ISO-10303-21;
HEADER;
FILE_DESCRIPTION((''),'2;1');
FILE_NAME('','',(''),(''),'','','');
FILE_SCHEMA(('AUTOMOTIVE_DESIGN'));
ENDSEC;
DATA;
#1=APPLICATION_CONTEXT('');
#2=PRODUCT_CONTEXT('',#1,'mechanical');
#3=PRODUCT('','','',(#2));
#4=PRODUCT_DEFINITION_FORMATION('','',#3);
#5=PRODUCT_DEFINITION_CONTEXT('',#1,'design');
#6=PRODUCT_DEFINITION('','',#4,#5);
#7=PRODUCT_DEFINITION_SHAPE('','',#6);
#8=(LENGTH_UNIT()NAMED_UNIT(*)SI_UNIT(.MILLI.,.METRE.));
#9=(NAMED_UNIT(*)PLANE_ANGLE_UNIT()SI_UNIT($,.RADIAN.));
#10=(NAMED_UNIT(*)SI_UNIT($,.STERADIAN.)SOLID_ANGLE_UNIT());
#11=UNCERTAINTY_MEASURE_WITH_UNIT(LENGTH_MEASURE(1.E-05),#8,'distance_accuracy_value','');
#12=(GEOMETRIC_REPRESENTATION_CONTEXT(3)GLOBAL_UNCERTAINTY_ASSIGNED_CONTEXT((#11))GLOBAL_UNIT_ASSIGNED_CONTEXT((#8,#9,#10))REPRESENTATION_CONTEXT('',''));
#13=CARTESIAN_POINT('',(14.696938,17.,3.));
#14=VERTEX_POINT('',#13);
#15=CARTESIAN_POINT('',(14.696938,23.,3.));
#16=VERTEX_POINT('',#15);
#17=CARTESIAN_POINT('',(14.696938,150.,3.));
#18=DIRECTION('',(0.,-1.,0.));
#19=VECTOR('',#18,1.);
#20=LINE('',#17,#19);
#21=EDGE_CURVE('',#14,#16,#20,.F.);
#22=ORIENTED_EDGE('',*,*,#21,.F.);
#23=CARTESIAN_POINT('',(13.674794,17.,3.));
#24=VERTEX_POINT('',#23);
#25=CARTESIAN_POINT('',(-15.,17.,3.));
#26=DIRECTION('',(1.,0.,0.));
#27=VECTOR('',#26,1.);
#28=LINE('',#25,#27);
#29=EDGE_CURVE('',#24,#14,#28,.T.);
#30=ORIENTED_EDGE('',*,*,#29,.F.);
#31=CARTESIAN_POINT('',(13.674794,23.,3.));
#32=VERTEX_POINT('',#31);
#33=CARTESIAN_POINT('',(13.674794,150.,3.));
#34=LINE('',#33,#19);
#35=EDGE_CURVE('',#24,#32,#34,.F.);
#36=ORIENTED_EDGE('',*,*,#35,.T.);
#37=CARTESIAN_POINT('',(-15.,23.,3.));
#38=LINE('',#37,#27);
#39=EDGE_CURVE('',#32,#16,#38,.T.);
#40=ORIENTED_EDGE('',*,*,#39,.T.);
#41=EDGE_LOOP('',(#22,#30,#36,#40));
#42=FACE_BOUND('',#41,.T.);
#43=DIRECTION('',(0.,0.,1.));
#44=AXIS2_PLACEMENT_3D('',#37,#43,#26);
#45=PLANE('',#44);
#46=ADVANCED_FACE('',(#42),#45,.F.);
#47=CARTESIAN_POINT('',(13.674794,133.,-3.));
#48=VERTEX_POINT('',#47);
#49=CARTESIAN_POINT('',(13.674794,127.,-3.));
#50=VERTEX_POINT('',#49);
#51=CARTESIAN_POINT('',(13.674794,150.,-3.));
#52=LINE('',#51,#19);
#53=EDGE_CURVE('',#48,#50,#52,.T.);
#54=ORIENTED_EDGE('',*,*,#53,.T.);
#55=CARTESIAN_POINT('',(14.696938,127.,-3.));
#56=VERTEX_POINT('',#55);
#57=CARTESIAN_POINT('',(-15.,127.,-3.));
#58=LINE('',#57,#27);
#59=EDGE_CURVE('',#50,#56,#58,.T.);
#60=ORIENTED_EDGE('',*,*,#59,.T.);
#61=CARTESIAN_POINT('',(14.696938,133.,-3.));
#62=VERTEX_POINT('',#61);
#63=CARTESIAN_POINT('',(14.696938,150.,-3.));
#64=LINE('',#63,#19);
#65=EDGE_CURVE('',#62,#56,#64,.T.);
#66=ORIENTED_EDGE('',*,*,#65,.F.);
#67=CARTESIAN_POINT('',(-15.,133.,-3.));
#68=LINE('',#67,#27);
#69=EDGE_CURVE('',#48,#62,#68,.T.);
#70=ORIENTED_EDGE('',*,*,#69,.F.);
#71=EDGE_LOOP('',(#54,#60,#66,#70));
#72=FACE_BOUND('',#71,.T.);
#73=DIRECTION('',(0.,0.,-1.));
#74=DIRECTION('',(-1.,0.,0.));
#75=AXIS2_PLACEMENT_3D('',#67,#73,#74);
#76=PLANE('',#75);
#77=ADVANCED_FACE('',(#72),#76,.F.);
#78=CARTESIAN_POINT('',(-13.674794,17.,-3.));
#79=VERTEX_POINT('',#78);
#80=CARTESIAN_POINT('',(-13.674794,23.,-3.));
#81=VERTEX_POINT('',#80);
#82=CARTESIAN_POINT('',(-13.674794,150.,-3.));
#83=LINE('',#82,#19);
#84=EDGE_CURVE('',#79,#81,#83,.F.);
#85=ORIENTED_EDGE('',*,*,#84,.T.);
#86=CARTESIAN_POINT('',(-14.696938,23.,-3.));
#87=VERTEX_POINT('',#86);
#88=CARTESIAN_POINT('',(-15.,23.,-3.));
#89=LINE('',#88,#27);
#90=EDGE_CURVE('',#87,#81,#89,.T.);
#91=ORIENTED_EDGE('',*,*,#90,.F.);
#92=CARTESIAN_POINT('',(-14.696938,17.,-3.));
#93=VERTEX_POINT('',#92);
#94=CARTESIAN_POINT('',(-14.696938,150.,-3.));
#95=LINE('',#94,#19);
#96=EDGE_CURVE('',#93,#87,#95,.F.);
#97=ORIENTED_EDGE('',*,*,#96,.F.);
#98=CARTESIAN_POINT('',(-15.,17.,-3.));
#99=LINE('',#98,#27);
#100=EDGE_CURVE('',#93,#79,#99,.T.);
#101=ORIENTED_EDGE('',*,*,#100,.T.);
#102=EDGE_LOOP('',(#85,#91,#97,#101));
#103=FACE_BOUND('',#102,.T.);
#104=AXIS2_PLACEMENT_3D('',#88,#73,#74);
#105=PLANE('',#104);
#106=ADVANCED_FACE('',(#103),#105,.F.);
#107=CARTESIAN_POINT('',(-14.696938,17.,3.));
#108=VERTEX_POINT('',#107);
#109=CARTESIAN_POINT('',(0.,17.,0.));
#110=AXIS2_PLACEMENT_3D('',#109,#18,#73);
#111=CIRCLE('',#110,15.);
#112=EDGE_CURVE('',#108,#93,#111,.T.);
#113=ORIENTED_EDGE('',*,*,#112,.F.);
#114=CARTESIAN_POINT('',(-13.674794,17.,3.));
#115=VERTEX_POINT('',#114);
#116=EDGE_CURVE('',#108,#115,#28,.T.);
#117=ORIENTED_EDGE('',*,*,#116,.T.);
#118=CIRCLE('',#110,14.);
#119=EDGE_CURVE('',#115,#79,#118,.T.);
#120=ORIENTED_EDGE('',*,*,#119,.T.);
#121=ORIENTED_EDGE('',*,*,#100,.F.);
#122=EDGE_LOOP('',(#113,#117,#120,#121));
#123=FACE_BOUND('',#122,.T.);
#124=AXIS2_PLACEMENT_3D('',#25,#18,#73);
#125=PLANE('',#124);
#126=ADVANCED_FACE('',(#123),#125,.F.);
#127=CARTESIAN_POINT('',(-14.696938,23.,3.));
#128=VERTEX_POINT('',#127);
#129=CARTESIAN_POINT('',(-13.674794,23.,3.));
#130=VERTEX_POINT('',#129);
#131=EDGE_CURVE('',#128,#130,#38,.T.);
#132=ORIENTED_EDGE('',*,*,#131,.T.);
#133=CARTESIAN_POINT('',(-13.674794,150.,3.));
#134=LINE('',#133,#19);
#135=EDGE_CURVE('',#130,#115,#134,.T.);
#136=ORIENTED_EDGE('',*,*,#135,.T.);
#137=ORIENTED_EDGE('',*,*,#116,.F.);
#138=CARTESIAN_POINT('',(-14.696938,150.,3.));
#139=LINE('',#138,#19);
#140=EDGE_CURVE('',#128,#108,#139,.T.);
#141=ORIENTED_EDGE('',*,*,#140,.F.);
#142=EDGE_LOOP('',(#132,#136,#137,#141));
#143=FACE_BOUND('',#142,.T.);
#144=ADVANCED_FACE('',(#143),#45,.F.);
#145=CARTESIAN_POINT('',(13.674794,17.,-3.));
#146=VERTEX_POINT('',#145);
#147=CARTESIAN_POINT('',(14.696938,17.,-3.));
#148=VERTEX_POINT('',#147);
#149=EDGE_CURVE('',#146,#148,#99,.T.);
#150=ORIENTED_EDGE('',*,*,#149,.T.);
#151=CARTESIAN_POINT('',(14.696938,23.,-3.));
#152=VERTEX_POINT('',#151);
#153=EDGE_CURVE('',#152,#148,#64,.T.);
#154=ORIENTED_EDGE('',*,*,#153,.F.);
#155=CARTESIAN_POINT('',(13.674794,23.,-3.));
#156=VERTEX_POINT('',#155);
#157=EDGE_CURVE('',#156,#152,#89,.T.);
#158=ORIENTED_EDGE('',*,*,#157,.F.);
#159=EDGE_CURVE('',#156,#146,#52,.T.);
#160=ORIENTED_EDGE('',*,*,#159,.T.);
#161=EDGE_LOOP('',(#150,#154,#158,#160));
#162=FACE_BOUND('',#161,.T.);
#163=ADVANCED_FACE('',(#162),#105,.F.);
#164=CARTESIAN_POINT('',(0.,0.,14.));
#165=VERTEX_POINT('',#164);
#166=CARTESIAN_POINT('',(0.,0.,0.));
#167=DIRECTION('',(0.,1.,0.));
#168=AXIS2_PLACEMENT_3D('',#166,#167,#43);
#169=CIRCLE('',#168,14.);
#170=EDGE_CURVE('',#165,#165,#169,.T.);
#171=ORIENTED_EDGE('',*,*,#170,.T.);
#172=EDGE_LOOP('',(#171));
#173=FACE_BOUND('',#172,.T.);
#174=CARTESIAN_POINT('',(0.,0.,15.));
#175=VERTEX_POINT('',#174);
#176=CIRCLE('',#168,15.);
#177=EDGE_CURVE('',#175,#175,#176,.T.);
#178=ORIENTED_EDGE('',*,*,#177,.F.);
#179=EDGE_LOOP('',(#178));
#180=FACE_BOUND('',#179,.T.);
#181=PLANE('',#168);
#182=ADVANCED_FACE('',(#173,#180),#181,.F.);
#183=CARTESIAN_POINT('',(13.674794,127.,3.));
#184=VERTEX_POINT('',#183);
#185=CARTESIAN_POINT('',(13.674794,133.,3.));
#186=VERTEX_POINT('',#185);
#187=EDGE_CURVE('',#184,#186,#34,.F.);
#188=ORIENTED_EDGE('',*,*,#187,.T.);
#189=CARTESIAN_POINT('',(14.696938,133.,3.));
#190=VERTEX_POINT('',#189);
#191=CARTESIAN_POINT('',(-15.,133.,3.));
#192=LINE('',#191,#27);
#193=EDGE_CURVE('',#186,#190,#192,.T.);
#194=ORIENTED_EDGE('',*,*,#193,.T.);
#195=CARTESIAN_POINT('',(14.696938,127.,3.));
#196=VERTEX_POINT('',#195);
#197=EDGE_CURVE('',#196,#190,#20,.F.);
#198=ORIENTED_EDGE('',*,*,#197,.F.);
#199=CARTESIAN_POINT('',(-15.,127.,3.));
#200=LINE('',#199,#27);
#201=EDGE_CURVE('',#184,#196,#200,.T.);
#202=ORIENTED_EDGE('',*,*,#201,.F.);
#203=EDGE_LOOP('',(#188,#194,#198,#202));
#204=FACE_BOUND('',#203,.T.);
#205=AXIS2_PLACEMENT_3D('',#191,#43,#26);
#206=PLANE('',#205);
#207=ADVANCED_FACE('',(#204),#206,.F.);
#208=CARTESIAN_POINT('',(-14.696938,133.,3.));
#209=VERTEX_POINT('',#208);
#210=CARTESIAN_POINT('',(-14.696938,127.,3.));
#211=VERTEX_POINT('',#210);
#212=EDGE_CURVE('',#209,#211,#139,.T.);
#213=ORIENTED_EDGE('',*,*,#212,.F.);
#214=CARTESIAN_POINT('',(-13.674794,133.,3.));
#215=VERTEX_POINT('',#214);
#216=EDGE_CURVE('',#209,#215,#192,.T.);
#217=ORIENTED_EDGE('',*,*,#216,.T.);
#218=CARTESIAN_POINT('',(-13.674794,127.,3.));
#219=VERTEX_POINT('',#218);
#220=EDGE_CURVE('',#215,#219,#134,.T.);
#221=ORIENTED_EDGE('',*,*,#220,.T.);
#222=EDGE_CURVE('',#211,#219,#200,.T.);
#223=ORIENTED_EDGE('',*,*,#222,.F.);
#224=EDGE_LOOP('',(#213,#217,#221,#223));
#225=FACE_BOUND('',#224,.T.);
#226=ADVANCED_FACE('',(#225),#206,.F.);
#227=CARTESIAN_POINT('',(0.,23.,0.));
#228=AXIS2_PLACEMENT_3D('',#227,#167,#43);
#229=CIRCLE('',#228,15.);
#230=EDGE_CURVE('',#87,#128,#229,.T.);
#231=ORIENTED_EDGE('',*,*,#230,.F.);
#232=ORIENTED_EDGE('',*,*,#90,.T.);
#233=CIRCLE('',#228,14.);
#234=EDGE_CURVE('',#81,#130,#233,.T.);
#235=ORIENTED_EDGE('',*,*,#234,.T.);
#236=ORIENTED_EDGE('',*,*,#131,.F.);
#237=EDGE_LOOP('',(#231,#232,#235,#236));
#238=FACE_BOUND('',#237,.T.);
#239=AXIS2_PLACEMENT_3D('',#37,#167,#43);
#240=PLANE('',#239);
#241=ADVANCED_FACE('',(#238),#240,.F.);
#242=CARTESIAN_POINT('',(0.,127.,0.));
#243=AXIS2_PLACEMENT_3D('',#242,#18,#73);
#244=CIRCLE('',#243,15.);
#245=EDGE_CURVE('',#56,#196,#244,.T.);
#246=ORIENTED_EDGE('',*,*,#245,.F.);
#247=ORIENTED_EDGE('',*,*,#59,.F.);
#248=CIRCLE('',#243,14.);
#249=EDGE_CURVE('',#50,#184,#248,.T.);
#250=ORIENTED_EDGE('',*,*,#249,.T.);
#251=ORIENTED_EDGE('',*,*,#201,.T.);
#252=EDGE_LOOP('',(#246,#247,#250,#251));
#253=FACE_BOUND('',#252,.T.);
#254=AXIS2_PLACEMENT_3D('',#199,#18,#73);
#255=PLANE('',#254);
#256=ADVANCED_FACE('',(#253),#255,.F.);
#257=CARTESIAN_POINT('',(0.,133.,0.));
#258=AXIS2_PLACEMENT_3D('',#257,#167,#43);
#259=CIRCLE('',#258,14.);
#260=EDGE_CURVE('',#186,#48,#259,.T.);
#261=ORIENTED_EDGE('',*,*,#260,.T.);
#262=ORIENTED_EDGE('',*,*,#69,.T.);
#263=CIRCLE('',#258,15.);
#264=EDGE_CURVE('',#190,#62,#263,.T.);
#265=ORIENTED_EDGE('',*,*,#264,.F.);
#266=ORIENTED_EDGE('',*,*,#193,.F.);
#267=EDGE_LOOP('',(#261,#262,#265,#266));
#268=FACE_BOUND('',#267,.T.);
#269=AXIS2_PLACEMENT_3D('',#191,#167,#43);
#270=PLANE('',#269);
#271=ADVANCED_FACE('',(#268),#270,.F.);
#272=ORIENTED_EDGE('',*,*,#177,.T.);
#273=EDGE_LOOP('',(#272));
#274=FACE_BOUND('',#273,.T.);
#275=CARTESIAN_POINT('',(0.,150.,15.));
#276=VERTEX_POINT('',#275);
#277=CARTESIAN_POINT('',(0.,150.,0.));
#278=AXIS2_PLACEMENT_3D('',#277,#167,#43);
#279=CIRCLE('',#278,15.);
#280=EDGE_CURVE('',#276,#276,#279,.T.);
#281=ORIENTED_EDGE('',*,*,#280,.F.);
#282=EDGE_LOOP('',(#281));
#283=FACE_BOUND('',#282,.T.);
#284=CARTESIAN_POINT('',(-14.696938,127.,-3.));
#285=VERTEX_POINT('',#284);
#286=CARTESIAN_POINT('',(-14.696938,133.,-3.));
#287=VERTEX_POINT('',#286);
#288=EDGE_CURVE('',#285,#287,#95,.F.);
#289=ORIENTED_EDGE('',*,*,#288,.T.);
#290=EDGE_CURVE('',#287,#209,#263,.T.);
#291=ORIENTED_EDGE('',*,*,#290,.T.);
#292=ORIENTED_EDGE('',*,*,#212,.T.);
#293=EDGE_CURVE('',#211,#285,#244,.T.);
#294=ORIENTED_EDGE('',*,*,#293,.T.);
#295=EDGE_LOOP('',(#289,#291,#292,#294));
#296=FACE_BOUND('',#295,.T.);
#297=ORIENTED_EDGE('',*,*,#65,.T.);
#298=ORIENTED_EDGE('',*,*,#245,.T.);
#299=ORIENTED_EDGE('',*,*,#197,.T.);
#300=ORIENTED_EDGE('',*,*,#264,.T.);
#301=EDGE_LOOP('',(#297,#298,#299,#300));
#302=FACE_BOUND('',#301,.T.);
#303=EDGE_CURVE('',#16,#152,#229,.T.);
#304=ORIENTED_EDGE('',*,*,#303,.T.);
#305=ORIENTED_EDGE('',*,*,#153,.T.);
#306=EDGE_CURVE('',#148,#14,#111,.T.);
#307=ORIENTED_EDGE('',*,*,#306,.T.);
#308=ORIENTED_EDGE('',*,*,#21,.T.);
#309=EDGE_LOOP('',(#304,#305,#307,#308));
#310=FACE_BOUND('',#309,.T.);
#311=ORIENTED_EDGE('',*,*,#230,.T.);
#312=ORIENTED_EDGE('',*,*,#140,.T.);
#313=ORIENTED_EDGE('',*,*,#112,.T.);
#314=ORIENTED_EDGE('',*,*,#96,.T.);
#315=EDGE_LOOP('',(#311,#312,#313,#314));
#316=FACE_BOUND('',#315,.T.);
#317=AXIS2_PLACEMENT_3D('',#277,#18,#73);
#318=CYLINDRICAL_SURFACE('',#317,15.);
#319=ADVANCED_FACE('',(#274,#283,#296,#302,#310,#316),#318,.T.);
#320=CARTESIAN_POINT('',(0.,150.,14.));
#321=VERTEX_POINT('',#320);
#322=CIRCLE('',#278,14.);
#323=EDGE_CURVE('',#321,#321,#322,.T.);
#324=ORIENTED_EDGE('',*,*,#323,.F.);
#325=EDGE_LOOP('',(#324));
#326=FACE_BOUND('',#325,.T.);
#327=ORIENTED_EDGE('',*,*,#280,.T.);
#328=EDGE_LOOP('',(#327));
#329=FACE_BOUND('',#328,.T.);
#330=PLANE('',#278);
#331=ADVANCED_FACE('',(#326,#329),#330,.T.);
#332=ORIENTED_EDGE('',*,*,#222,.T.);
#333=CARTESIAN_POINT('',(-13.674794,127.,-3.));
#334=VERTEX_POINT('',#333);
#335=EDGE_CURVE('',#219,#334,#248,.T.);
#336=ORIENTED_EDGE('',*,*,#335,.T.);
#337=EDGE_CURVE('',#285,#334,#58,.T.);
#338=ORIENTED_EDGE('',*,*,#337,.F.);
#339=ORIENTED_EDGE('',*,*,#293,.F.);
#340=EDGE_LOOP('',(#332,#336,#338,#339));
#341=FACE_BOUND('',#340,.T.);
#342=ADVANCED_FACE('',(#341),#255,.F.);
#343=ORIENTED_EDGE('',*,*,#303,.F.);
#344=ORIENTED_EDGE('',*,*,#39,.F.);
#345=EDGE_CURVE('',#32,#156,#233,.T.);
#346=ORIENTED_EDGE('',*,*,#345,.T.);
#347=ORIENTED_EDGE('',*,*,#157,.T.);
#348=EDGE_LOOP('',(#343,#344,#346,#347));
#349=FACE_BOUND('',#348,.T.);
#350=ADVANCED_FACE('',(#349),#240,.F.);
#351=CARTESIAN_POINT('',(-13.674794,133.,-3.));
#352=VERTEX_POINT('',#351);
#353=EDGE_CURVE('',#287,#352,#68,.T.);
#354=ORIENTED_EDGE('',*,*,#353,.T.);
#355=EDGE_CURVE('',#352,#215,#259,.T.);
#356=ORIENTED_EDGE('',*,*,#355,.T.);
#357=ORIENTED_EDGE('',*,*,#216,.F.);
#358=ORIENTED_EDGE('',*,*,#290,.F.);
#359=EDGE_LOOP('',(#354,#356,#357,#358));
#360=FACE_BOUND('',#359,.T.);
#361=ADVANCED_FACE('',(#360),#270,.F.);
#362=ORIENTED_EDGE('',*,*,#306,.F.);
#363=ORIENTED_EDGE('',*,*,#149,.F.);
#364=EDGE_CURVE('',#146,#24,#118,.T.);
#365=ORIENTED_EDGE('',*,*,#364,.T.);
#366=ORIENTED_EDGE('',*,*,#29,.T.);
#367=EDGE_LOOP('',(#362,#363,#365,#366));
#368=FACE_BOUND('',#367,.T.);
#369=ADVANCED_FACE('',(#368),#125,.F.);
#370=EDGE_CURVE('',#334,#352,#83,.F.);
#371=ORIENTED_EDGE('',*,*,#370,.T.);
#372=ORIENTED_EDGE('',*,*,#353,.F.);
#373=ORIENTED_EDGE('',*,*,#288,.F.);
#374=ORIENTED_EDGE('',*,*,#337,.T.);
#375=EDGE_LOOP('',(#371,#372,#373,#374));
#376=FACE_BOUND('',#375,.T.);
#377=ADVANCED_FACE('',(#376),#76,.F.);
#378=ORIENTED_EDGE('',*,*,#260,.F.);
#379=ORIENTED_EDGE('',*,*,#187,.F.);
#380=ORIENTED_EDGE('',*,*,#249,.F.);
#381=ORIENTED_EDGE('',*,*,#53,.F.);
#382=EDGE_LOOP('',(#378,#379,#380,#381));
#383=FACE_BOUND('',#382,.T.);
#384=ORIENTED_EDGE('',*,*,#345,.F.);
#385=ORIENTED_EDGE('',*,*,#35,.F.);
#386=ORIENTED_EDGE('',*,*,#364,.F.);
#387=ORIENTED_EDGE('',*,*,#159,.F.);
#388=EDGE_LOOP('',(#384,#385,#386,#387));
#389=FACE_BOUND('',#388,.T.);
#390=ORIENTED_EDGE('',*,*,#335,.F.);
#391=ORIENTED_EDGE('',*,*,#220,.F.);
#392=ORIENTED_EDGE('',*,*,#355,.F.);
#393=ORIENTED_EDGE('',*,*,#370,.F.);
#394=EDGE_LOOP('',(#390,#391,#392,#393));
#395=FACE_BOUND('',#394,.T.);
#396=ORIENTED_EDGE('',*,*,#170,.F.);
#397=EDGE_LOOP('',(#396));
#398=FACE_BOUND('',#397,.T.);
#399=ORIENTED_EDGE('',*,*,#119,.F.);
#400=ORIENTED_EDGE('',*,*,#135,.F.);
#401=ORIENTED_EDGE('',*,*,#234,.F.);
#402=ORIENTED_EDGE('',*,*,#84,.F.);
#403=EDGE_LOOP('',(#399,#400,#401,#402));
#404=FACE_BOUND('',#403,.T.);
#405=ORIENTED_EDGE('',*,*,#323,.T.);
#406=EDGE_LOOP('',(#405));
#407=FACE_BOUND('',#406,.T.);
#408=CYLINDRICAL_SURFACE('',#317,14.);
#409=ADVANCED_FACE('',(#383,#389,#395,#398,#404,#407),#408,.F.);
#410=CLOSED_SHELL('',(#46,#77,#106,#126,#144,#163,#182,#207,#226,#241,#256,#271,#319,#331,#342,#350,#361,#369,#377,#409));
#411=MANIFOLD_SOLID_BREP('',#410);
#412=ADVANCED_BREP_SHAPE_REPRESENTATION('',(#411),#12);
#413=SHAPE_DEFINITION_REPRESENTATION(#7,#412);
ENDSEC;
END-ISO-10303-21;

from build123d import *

# Parameters (mm, degrees)
SKETCH1_R           = 15
SKETCH1_R_2         = 14
BOSS_EXTRUDE1_DEPTH = 150
SKETCH2_W           = 6
SKETCH2_H           = 6
CUT_EXTRUDE1_DEPTH  = 15


with BuildPart() as part:
    # Sketch1 → Boss-Extrude1 (new body)
    with BuildSketch(Plane(origin=(0, 0, 0), x_dir=(1, 0, 0), z_dir=(0, 1, 0))):
        with Locations(Location((0, 0, 0), (0, 0, 270))):
            Circle(SKETCH1_R)
        with Locations(Location((0, 0, 0), (0, 0, 270))):
            Circle(SKETCH1_R_2, mode=Mode.SUBTRACT)
    extrude(amount=BOSS_EXTRUDE1_DEPTH)

    # Sketch2 → Cut-Extrude1 (cut, symmetric)
    with BuildSketch(Plane(origin=(0, 0, 0), x_dir=(0, 0, -1), z_dir=(1, 0, 0))):
        with Locations((0, 130)):
            Rectangle(SKETCH2_W, SKETCH2_H)
        with Locations((0, 20)):
            Rectangle(SKETCH2_W, SKETCH2_H)
    extrude(amount=CUT_EXTRUDE1_DEPTH, both=True, mode=Mode.SUBTRACT)


solid = part.part
